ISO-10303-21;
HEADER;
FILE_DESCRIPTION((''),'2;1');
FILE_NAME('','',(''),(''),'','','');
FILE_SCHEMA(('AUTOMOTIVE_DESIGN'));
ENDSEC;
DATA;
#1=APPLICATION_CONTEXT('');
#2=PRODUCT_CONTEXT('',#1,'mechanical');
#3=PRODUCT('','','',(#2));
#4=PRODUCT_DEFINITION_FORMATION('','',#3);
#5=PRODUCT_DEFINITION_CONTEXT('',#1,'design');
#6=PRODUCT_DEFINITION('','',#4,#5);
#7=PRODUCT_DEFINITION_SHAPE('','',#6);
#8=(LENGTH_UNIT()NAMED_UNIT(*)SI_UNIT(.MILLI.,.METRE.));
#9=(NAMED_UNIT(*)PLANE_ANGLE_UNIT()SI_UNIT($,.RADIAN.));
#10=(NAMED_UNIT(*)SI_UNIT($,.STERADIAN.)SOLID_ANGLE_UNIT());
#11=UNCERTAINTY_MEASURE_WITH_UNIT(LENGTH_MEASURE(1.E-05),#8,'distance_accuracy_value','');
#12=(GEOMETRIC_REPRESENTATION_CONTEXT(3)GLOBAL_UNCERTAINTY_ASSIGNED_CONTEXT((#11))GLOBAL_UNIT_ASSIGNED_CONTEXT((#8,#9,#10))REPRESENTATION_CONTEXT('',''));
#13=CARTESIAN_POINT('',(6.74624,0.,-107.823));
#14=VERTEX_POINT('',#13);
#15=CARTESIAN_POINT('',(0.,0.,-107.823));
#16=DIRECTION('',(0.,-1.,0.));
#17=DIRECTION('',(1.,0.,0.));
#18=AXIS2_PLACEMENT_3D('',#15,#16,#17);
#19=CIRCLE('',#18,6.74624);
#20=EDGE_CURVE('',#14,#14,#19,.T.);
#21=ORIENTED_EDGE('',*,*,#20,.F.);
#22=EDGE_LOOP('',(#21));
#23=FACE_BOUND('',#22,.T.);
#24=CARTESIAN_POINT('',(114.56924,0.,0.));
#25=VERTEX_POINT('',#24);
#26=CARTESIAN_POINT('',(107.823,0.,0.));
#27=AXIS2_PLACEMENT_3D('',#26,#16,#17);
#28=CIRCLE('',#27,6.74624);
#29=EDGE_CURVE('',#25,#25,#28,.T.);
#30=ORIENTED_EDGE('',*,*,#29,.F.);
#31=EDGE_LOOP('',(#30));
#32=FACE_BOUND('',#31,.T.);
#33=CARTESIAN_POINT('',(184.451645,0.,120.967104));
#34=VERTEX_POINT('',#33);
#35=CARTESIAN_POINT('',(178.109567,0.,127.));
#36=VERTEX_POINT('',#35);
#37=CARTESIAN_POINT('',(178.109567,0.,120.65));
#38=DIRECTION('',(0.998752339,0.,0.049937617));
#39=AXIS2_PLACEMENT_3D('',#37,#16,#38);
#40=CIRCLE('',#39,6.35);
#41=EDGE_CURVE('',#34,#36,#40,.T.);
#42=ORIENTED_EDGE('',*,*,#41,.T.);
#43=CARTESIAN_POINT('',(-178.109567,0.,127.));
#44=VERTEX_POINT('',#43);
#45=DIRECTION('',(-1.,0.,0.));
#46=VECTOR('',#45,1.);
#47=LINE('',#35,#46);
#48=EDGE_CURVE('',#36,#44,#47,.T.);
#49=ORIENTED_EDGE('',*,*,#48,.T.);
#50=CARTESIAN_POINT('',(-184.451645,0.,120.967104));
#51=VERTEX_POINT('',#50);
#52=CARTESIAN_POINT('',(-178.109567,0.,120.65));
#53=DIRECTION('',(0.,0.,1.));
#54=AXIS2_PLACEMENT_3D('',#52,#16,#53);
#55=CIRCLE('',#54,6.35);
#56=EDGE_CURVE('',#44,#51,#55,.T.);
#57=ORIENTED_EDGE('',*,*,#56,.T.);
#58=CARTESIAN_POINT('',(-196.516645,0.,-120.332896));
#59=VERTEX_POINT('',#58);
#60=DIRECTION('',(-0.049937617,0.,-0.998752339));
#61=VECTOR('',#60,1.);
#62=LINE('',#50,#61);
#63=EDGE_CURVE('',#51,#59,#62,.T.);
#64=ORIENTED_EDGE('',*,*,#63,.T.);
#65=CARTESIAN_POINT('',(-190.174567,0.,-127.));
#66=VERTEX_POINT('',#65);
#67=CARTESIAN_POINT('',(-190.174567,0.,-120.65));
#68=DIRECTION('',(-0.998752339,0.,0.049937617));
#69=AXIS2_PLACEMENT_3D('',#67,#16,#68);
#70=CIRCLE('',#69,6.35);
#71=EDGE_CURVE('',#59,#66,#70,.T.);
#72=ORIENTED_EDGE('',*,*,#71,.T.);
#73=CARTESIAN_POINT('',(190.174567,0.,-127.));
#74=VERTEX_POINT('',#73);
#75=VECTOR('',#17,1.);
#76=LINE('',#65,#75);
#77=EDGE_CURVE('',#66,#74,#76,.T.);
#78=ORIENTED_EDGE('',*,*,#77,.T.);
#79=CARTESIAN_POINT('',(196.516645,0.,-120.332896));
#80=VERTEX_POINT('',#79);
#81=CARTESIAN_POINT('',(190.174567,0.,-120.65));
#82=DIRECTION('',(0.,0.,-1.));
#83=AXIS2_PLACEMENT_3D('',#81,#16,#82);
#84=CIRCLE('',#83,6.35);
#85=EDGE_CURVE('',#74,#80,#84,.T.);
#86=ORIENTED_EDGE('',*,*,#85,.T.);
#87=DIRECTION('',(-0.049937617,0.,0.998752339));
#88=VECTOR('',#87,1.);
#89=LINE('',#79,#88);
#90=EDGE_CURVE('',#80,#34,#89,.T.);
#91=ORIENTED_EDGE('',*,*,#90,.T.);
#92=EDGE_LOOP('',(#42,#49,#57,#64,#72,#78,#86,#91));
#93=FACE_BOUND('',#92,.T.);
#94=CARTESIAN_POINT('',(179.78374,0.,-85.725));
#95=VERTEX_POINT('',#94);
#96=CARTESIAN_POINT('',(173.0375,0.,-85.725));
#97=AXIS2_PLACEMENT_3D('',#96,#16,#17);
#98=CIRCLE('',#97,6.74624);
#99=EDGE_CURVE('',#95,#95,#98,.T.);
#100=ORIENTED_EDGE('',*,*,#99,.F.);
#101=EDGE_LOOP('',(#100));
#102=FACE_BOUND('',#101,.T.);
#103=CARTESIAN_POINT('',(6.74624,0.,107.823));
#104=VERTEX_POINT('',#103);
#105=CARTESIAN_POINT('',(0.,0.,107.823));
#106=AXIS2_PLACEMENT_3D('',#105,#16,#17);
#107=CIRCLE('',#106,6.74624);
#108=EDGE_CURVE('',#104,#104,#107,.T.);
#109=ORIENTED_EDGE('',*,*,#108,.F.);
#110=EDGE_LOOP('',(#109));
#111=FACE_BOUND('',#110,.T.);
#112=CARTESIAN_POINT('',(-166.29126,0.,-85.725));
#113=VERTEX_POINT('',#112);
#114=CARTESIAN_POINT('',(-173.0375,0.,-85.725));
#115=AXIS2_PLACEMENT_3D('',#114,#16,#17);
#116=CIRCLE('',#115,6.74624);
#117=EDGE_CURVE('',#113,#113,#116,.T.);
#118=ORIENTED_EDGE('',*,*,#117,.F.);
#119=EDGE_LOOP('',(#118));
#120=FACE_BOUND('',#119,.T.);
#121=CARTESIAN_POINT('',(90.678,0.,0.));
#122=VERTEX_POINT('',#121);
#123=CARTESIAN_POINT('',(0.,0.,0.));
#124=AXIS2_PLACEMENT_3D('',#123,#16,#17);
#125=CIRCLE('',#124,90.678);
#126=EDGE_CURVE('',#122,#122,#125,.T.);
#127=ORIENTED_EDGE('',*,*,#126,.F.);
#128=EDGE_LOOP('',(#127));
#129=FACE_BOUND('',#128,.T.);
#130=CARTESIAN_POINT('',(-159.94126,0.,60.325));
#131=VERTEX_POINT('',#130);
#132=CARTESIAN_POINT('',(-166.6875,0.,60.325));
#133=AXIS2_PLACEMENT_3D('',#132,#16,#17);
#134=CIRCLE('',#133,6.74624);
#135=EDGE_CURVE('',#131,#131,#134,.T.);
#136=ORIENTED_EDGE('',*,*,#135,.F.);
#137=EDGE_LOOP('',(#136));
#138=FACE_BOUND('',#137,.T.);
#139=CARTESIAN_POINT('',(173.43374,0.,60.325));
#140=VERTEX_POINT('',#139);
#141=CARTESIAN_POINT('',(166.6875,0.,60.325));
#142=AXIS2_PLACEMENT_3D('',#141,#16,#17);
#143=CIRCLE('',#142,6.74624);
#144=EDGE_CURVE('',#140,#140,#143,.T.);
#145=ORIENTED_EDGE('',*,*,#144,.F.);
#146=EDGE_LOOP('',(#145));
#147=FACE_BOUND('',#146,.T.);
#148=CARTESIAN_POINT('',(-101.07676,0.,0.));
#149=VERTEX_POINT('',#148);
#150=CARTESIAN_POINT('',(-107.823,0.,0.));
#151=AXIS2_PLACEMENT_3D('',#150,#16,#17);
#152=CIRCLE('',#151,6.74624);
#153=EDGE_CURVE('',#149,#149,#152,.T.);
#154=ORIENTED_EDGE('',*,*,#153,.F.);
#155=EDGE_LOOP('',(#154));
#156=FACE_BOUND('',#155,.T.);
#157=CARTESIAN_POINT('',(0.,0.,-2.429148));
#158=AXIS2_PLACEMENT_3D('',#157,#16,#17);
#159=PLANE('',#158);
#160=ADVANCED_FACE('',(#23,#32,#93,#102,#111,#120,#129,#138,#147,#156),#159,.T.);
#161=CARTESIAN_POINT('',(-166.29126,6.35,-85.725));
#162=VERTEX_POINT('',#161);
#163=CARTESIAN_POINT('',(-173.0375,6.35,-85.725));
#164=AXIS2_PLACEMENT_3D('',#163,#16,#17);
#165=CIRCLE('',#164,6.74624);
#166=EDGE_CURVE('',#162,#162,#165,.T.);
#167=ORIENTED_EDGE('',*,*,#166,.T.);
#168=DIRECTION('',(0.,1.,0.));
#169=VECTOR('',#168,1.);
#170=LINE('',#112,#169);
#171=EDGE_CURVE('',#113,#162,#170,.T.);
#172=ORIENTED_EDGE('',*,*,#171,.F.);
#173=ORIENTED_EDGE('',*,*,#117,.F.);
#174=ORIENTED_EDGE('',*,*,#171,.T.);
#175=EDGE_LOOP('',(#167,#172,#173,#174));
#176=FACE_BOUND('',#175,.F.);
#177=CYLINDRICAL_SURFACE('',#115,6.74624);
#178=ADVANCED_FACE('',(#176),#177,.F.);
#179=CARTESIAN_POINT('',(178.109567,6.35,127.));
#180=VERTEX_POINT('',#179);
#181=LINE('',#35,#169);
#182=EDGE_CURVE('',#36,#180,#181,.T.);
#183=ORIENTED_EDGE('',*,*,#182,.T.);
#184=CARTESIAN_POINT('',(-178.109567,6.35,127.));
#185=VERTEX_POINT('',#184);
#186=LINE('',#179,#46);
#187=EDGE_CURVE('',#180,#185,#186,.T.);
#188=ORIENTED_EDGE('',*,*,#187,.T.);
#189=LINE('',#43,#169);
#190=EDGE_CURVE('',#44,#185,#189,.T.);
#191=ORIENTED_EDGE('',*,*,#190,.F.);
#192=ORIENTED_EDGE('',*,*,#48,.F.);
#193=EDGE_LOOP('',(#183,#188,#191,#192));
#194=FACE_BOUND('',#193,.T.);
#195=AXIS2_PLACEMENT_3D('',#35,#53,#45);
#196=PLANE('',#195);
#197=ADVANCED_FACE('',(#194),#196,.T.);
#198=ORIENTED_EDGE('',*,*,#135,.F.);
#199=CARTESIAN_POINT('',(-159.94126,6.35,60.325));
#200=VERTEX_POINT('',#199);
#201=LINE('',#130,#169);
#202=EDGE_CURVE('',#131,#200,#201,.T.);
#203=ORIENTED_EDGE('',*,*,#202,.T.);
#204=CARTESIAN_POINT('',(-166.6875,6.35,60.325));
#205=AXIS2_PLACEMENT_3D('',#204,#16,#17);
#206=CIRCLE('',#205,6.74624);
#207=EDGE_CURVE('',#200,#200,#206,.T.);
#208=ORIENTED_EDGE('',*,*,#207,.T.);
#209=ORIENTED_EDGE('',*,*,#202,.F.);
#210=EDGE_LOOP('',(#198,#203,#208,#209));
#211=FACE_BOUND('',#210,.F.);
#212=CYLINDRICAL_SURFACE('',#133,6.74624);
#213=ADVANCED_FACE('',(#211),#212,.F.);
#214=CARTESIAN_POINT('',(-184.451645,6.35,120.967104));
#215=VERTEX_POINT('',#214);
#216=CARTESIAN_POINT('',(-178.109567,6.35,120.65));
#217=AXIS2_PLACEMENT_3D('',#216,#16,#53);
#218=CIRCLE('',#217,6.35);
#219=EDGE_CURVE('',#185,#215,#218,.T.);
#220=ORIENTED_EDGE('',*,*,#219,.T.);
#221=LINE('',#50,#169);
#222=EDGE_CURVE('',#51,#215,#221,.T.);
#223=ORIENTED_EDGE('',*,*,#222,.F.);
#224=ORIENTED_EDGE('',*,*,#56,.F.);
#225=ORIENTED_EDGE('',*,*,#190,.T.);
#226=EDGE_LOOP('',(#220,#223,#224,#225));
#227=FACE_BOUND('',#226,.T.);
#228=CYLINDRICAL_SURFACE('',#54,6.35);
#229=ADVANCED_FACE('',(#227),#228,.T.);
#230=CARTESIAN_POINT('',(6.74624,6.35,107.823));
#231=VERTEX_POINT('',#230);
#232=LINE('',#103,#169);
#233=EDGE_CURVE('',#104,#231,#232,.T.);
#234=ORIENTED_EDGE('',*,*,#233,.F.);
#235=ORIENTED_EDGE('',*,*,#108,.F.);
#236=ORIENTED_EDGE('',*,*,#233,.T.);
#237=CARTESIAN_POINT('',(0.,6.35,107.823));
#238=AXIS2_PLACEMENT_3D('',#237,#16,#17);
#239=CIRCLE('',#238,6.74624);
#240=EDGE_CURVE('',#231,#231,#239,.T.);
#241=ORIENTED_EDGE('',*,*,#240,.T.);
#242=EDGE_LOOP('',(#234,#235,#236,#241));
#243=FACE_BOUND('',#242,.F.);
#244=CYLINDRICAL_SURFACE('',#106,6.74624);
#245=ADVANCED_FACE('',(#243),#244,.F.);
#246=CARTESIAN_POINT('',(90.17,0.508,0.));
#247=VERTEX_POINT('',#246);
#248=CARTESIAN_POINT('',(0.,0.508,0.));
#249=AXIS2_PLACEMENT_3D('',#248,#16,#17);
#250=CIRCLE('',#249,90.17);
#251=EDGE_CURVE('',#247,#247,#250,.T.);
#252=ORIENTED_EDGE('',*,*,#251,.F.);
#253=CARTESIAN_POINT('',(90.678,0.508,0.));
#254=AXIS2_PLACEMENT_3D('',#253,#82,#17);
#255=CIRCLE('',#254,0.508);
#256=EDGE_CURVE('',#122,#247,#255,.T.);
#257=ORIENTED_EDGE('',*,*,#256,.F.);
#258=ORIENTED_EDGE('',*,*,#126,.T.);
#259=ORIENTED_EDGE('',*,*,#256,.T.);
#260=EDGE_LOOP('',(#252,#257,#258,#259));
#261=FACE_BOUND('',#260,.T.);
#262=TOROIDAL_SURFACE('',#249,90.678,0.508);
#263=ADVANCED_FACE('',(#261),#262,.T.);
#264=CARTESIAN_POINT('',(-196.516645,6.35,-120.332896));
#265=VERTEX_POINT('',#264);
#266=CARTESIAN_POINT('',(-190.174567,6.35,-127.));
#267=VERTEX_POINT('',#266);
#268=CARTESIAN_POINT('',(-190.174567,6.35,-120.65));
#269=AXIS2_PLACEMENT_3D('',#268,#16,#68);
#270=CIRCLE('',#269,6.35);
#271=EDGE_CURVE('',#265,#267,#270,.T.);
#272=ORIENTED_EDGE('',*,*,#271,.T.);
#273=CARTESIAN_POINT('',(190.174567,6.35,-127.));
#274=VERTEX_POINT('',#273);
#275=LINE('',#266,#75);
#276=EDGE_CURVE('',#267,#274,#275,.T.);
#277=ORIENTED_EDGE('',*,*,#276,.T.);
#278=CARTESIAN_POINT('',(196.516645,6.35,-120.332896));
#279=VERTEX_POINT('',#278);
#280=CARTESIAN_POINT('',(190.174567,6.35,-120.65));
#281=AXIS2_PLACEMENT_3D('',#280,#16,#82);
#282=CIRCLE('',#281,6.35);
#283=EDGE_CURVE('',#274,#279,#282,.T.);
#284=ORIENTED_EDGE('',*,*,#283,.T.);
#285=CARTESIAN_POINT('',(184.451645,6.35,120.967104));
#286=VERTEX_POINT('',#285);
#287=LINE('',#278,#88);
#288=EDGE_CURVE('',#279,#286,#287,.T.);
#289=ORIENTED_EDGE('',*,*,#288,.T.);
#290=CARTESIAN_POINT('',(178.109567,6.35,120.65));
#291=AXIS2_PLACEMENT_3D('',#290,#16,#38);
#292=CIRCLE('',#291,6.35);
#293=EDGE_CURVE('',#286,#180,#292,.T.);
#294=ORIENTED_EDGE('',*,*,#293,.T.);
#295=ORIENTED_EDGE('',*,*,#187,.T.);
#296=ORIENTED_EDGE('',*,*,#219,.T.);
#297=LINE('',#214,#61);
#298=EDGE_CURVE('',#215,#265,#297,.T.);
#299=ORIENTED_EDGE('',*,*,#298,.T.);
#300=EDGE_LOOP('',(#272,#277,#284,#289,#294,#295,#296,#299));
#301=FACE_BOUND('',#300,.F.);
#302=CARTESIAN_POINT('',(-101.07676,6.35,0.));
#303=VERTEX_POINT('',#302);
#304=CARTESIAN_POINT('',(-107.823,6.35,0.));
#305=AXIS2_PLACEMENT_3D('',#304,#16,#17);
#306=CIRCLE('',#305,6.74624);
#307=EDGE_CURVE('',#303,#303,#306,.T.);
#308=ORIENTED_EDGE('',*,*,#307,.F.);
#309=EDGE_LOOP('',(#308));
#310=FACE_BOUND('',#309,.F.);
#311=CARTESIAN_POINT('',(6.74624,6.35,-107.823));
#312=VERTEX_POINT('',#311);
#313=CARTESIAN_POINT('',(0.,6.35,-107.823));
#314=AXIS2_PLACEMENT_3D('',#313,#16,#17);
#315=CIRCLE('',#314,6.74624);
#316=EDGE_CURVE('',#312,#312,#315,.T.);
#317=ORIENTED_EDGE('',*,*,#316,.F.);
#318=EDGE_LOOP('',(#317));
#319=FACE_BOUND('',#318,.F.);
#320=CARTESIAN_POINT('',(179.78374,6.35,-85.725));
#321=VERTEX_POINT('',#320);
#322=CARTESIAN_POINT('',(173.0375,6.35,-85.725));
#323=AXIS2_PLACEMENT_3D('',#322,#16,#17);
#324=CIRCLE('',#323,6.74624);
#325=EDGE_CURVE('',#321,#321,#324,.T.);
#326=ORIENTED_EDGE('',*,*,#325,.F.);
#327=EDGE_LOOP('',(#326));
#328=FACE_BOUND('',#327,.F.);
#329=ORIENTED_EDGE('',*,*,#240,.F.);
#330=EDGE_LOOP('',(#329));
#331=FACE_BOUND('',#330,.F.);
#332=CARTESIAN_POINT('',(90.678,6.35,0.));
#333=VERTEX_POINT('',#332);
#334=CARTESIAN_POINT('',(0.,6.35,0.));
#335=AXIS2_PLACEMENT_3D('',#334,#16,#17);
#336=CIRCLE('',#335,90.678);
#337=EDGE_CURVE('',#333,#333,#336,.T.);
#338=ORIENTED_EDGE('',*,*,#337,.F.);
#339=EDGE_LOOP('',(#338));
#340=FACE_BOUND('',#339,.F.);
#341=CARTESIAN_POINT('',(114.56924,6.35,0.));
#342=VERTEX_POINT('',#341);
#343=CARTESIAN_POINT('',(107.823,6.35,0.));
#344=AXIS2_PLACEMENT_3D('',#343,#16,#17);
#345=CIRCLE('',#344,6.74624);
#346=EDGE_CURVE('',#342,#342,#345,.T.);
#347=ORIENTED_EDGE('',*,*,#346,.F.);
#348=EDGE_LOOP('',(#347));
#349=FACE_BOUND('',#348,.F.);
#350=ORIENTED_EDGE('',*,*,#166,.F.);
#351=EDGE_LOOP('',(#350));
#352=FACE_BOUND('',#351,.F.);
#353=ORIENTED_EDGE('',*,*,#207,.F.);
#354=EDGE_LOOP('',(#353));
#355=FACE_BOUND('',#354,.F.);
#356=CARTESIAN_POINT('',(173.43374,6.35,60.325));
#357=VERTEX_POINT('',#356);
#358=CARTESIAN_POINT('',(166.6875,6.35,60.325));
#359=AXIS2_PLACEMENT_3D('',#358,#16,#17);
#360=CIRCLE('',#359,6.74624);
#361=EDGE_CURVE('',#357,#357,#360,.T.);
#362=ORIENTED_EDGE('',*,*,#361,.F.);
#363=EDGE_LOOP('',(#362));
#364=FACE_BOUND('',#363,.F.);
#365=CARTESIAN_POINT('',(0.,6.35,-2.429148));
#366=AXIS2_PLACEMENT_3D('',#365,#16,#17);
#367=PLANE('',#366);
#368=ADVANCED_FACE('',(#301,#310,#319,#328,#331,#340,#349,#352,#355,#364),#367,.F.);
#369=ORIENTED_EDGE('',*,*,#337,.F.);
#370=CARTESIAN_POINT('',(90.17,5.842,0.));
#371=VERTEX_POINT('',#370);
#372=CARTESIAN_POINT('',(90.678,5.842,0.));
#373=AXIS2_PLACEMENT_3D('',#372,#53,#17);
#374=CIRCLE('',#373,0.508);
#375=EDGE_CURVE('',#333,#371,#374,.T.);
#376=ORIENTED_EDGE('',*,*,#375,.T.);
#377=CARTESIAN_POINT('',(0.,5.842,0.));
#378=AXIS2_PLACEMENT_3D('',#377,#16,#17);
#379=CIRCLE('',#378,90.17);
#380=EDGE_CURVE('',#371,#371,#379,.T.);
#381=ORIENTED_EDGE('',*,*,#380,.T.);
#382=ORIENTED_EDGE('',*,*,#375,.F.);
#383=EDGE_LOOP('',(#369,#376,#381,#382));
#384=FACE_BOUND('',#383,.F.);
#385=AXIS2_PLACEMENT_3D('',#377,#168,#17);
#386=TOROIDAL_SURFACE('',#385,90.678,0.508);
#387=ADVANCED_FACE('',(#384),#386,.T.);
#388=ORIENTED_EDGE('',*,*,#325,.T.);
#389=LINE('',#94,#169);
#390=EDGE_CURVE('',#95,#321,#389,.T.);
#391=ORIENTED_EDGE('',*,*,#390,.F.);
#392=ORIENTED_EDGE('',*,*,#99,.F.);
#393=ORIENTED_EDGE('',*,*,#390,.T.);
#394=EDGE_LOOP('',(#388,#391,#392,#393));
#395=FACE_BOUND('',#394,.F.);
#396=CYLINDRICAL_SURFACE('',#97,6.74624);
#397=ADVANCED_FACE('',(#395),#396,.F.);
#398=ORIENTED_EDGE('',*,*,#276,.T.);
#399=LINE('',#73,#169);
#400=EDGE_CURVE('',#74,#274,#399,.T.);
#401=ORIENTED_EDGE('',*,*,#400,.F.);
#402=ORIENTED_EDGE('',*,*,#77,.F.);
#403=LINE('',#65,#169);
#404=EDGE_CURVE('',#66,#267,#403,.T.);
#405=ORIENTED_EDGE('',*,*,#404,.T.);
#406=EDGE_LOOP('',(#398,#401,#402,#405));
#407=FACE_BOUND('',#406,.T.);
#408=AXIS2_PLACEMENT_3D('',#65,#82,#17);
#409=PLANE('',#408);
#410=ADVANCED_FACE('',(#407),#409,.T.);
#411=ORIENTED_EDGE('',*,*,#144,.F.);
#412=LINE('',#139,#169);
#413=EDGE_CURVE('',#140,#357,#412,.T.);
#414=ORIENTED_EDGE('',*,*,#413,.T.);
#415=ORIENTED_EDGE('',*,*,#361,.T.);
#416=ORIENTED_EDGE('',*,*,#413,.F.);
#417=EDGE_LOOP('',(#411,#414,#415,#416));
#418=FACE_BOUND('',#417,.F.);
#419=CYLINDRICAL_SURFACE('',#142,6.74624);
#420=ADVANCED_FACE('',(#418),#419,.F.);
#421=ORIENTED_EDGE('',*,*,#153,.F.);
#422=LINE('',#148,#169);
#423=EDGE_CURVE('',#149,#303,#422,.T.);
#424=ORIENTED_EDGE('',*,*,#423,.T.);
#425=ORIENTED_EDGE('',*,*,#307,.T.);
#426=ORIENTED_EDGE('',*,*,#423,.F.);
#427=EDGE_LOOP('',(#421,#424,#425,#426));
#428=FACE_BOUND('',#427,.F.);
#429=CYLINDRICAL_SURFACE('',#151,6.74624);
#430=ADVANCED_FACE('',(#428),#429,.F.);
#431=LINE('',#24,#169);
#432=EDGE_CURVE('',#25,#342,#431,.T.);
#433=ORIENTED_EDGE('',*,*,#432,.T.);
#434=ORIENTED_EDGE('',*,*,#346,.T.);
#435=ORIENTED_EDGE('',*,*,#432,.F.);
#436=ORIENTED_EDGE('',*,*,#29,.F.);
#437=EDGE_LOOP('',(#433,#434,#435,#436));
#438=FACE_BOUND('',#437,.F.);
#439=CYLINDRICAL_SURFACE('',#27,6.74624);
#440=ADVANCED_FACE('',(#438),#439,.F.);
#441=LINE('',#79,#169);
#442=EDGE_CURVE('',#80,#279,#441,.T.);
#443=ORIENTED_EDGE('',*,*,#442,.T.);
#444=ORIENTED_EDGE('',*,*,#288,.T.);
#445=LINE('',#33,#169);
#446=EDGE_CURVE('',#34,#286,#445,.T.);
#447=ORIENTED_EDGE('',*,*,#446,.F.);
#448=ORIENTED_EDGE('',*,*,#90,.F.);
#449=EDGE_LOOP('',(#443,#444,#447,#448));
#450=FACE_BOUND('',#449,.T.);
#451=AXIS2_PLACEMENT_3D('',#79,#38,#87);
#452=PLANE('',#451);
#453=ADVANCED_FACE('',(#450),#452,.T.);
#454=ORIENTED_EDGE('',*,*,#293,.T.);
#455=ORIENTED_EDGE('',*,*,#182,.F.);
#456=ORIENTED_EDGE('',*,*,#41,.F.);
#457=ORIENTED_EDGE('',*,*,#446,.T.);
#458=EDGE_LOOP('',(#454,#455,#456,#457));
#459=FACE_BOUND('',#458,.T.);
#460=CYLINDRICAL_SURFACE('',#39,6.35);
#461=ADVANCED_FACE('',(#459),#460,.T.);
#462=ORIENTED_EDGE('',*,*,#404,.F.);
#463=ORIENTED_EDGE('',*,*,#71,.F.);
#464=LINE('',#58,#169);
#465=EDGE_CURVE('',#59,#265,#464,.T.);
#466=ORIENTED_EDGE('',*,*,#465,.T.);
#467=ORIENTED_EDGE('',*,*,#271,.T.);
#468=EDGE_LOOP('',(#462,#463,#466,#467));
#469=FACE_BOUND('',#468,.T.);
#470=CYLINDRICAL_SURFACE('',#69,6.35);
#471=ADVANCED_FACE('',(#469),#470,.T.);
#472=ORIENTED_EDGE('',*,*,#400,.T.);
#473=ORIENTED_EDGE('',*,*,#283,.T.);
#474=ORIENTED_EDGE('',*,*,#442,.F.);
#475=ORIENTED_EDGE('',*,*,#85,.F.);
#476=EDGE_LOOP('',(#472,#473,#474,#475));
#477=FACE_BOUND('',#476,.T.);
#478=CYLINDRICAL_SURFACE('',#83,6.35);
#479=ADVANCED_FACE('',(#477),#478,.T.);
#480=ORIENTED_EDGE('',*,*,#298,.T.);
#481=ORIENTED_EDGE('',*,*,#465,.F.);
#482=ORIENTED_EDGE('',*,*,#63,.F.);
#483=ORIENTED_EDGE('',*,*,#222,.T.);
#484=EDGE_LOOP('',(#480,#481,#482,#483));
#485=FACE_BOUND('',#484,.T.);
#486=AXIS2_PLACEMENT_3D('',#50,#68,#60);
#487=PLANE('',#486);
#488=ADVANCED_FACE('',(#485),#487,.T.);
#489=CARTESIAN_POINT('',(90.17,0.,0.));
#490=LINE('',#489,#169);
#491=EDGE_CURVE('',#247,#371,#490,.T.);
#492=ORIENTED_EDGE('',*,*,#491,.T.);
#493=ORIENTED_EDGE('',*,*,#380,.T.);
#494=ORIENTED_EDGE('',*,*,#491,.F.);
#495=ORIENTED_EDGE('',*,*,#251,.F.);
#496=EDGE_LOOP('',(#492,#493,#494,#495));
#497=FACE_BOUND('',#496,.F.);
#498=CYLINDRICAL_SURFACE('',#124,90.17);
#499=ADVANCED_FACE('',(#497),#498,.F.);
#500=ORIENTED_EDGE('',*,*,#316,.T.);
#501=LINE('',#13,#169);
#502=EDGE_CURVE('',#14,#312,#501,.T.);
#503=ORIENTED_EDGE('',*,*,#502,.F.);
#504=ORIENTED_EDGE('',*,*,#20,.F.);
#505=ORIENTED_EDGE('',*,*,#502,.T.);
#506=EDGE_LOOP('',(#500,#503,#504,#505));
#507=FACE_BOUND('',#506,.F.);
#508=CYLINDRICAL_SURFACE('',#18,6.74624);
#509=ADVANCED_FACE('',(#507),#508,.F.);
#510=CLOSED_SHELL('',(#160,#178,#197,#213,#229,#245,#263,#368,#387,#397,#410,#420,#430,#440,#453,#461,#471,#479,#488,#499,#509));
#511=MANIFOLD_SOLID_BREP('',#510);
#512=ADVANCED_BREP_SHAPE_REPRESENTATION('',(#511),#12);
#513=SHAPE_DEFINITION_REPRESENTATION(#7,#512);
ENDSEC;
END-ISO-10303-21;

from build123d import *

# Parameters (mm, degrees)
F0_R     = 6.74624
F1_DEPTH = 6.35
F2_R     = 90.17
F3_DEPTH = 6.351
F4_R     = 6.74624
F5_DEPTH = 6.351
F6_R     = 0.508


with BuildPart() as f1:
    # F0 (on Front) → F1 (new body)
    with BuildSketch(Plane.XZ):
        with BuildLine():
            ThreePointArc((-196.5166448066, -120.3328961324), (-194.775442891, -125.0265791688), (-190.1745674547, -127))
            Line((-190.1745674547, -127), (190.1745674547, -127))
            ThreePointArc((190.1745674547, -127), (194.775442891, -125.0265791688), (196.5166448066, -120.3328961324))
            Line((196.5166448066, -120.3328961324), (184.4516448066, 120.9671038676))
            ThreePointArc((184.4516448066, 120.9671038676), (182.4861466235, 125.2508754362), (178.1095674547, 127))
            Line((178.1095674547, 127), (-178.1095674547, 127))
            ThreePointArc((-178.1095674547, 127), (-182.4861466235, 125.2508754362), (-184.4516448066, 120.9671038676))
            Line((-184.4516448066, 120.9671038676), (-196.5166448066, -120.3328961324))
        make_face()
        with Locations((-173.0375, -85.725)):
            Circle(F0_R, mode=Mode.SUBTRACT)
        with Locations((173.0375, -85.725)):
            Circle(F0_R, mode=Mode.SUBTRACT)
        with Locations((-166.6875, 60.325)):
            Circle(F0_R, mode=Mode.SUBTRACT)
        with Locations((166.6875, 60.325)):
            Circle(F0_R, mode=Mode.SUBTRACT)
    extrude(amount=-F1_DEPTH)

    # F2 (on face) → F3 (cut, through all)
    with BuildSketch(Plane.XZ):
        Circle(F2_R)
    extrude(amount=-F3_DEPTH, mode=Mode.SUBTRACT)

    # F4 (on face) → F5 (cut, through all)
    with BuildSketch(Plane.XZ):
        with Locations((0, 107.823)):
            Circle(F4_R)
        with Locations((-107.823, 0)):
            Circle(F4_R)
        with Locations((0, -107.823)):
            Circle(F4_R)
        with Locations((107.823, 0)):
            Circle(F4_R)
    extrude(amount=-F5_DEPTH, mode=Mode.SUBTRACT)

    # F6
    f6_edges = [f1.edges().sort_by_distance(p)[0] for p in [
        (-90.17, 6.35, 0),
        (-90.17, 0, 0),
    ]]
    fillet(f6_edges, radius=F6_R)


solid = f1.part
